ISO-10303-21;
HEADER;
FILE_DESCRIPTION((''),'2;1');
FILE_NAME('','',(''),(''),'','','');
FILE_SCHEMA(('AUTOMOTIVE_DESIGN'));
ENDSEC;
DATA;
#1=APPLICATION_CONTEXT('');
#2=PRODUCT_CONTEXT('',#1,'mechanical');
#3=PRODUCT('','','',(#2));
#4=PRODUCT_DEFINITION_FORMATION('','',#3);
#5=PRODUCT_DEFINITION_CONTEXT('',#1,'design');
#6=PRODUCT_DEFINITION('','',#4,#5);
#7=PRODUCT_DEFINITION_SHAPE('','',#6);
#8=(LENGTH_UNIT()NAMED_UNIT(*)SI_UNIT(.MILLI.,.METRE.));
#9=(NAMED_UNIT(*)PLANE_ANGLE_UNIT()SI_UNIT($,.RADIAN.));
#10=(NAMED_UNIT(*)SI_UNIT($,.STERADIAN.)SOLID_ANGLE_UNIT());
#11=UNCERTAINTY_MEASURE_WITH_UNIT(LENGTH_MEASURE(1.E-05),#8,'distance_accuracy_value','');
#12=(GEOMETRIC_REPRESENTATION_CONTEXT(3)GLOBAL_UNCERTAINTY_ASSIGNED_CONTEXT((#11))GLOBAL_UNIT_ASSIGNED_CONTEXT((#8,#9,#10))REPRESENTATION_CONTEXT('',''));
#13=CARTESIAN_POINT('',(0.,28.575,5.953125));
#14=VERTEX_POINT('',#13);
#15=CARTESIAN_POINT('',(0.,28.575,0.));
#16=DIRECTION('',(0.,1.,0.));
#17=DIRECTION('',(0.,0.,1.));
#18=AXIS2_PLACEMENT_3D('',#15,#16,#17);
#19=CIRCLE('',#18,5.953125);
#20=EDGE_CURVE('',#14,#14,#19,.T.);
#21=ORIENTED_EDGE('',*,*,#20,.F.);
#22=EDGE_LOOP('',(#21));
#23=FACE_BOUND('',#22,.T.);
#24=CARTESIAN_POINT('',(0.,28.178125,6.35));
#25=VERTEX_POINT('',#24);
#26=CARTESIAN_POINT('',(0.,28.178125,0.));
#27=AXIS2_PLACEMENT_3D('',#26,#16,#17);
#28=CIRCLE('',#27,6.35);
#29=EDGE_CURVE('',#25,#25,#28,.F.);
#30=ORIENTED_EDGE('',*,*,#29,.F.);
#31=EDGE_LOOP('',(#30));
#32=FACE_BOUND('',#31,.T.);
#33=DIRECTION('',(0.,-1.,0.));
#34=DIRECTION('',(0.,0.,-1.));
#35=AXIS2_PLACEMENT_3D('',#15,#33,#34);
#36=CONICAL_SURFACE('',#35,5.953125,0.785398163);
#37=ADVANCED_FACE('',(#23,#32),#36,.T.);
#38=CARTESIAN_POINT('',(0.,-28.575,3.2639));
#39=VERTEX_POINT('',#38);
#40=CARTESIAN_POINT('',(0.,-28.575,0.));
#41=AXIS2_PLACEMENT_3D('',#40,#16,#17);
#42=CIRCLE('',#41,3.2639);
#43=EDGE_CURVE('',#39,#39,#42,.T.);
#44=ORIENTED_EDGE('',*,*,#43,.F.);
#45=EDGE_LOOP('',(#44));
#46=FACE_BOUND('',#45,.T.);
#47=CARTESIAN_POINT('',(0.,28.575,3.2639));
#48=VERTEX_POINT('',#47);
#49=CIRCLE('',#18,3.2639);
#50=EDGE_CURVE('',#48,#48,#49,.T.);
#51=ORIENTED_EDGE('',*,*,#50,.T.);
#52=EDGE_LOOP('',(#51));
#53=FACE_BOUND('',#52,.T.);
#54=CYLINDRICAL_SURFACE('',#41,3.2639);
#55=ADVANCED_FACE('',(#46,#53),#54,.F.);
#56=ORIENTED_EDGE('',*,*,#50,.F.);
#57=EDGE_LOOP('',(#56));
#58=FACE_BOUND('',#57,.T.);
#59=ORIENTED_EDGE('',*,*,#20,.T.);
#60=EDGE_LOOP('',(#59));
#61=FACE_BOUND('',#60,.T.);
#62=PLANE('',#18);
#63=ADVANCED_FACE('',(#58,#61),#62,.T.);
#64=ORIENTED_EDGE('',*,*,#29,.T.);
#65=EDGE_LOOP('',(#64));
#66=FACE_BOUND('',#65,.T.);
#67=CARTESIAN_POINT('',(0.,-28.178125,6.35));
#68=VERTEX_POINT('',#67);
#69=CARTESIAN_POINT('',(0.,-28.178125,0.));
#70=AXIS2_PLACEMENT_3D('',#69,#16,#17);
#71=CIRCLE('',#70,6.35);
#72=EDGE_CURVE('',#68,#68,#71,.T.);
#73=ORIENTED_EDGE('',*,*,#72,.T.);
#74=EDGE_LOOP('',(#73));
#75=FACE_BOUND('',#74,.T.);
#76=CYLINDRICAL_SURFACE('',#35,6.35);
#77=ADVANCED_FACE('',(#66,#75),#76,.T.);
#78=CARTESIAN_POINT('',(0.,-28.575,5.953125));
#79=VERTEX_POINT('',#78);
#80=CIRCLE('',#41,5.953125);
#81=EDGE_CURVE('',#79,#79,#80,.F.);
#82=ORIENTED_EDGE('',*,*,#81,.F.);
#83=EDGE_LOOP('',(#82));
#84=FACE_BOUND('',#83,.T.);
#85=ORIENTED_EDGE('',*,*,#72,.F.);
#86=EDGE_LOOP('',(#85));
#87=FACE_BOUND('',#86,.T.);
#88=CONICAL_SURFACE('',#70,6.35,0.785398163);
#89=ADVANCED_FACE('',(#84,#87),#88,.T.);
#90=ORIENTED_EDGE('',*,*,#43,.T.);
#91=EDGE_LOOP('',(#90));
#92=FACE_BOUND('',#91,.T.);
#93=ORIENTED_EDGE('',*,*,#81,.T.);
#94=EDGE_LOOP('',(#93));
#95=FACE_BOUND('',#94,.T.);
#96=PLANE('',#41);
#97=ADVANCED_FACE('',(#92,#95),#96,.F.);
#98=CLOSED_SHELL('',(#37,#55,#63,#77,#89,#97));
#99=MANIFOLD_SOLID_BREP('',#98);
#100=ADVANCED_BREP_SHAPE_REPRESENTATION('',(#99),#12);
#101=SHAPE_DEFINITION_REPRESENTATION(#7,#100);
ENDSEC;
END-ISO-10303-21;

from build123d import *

# Parameters (mm, degrees)
CROQUIS2_R                = 6.35
SALIENTE_EXTRUIR1_DEPTH   = 28.575
CHAFL_N1_SIZE             = 0.396875
CLEARANCE_HOLE_DEPTH      = 30.952890094
CLEARANCE_HOLE_DEPTH_BACK = 30.952890094
CROQUIS4_R                = 3.2639


with BuildPart() as part:
    # Croquis2 → Saliente-Extruir1 (new, symmetric)
    with BuildSketch(Plane(origin=(0, 0, 0), x_dir=(1, 0, 0), z_dir=(0, 1, 0))):
        Circle(CROQUIS2_R)
    extrude(amount=SALIENTE_EXTRUIR1_DEPTH, both=True)

    # Chaflán1
    chafl_n1_edges = [part.edges().sort_by_distance(p)[0] for p in [
        (-6.35, -28.575, 0),
        (-6.35, 28.575, 0),
    ]]
    chamfer(chafl_n1_edges, length=CHAFL_N1_SIZE)

    # Croquis4 → Clearance Hole (cut, two sides: drawn at the far end of the back side and taken through both)
    with BuildSketch(Plane(origin=(0, 0, 0), x_dir=(1, 0, 0), z_dir=(0, 1, 0)).offset(-CLEARANCE_HOLE_DEPTH_BACK)):
        Circle(CROQUIS4_R)
    extrude(amount=CLEARANCE_HOLE_DEPTH + CLEARANCE_HOLE_DEPTH_BACK, mode=Mode.SUBTRACT)


solid = part.part
